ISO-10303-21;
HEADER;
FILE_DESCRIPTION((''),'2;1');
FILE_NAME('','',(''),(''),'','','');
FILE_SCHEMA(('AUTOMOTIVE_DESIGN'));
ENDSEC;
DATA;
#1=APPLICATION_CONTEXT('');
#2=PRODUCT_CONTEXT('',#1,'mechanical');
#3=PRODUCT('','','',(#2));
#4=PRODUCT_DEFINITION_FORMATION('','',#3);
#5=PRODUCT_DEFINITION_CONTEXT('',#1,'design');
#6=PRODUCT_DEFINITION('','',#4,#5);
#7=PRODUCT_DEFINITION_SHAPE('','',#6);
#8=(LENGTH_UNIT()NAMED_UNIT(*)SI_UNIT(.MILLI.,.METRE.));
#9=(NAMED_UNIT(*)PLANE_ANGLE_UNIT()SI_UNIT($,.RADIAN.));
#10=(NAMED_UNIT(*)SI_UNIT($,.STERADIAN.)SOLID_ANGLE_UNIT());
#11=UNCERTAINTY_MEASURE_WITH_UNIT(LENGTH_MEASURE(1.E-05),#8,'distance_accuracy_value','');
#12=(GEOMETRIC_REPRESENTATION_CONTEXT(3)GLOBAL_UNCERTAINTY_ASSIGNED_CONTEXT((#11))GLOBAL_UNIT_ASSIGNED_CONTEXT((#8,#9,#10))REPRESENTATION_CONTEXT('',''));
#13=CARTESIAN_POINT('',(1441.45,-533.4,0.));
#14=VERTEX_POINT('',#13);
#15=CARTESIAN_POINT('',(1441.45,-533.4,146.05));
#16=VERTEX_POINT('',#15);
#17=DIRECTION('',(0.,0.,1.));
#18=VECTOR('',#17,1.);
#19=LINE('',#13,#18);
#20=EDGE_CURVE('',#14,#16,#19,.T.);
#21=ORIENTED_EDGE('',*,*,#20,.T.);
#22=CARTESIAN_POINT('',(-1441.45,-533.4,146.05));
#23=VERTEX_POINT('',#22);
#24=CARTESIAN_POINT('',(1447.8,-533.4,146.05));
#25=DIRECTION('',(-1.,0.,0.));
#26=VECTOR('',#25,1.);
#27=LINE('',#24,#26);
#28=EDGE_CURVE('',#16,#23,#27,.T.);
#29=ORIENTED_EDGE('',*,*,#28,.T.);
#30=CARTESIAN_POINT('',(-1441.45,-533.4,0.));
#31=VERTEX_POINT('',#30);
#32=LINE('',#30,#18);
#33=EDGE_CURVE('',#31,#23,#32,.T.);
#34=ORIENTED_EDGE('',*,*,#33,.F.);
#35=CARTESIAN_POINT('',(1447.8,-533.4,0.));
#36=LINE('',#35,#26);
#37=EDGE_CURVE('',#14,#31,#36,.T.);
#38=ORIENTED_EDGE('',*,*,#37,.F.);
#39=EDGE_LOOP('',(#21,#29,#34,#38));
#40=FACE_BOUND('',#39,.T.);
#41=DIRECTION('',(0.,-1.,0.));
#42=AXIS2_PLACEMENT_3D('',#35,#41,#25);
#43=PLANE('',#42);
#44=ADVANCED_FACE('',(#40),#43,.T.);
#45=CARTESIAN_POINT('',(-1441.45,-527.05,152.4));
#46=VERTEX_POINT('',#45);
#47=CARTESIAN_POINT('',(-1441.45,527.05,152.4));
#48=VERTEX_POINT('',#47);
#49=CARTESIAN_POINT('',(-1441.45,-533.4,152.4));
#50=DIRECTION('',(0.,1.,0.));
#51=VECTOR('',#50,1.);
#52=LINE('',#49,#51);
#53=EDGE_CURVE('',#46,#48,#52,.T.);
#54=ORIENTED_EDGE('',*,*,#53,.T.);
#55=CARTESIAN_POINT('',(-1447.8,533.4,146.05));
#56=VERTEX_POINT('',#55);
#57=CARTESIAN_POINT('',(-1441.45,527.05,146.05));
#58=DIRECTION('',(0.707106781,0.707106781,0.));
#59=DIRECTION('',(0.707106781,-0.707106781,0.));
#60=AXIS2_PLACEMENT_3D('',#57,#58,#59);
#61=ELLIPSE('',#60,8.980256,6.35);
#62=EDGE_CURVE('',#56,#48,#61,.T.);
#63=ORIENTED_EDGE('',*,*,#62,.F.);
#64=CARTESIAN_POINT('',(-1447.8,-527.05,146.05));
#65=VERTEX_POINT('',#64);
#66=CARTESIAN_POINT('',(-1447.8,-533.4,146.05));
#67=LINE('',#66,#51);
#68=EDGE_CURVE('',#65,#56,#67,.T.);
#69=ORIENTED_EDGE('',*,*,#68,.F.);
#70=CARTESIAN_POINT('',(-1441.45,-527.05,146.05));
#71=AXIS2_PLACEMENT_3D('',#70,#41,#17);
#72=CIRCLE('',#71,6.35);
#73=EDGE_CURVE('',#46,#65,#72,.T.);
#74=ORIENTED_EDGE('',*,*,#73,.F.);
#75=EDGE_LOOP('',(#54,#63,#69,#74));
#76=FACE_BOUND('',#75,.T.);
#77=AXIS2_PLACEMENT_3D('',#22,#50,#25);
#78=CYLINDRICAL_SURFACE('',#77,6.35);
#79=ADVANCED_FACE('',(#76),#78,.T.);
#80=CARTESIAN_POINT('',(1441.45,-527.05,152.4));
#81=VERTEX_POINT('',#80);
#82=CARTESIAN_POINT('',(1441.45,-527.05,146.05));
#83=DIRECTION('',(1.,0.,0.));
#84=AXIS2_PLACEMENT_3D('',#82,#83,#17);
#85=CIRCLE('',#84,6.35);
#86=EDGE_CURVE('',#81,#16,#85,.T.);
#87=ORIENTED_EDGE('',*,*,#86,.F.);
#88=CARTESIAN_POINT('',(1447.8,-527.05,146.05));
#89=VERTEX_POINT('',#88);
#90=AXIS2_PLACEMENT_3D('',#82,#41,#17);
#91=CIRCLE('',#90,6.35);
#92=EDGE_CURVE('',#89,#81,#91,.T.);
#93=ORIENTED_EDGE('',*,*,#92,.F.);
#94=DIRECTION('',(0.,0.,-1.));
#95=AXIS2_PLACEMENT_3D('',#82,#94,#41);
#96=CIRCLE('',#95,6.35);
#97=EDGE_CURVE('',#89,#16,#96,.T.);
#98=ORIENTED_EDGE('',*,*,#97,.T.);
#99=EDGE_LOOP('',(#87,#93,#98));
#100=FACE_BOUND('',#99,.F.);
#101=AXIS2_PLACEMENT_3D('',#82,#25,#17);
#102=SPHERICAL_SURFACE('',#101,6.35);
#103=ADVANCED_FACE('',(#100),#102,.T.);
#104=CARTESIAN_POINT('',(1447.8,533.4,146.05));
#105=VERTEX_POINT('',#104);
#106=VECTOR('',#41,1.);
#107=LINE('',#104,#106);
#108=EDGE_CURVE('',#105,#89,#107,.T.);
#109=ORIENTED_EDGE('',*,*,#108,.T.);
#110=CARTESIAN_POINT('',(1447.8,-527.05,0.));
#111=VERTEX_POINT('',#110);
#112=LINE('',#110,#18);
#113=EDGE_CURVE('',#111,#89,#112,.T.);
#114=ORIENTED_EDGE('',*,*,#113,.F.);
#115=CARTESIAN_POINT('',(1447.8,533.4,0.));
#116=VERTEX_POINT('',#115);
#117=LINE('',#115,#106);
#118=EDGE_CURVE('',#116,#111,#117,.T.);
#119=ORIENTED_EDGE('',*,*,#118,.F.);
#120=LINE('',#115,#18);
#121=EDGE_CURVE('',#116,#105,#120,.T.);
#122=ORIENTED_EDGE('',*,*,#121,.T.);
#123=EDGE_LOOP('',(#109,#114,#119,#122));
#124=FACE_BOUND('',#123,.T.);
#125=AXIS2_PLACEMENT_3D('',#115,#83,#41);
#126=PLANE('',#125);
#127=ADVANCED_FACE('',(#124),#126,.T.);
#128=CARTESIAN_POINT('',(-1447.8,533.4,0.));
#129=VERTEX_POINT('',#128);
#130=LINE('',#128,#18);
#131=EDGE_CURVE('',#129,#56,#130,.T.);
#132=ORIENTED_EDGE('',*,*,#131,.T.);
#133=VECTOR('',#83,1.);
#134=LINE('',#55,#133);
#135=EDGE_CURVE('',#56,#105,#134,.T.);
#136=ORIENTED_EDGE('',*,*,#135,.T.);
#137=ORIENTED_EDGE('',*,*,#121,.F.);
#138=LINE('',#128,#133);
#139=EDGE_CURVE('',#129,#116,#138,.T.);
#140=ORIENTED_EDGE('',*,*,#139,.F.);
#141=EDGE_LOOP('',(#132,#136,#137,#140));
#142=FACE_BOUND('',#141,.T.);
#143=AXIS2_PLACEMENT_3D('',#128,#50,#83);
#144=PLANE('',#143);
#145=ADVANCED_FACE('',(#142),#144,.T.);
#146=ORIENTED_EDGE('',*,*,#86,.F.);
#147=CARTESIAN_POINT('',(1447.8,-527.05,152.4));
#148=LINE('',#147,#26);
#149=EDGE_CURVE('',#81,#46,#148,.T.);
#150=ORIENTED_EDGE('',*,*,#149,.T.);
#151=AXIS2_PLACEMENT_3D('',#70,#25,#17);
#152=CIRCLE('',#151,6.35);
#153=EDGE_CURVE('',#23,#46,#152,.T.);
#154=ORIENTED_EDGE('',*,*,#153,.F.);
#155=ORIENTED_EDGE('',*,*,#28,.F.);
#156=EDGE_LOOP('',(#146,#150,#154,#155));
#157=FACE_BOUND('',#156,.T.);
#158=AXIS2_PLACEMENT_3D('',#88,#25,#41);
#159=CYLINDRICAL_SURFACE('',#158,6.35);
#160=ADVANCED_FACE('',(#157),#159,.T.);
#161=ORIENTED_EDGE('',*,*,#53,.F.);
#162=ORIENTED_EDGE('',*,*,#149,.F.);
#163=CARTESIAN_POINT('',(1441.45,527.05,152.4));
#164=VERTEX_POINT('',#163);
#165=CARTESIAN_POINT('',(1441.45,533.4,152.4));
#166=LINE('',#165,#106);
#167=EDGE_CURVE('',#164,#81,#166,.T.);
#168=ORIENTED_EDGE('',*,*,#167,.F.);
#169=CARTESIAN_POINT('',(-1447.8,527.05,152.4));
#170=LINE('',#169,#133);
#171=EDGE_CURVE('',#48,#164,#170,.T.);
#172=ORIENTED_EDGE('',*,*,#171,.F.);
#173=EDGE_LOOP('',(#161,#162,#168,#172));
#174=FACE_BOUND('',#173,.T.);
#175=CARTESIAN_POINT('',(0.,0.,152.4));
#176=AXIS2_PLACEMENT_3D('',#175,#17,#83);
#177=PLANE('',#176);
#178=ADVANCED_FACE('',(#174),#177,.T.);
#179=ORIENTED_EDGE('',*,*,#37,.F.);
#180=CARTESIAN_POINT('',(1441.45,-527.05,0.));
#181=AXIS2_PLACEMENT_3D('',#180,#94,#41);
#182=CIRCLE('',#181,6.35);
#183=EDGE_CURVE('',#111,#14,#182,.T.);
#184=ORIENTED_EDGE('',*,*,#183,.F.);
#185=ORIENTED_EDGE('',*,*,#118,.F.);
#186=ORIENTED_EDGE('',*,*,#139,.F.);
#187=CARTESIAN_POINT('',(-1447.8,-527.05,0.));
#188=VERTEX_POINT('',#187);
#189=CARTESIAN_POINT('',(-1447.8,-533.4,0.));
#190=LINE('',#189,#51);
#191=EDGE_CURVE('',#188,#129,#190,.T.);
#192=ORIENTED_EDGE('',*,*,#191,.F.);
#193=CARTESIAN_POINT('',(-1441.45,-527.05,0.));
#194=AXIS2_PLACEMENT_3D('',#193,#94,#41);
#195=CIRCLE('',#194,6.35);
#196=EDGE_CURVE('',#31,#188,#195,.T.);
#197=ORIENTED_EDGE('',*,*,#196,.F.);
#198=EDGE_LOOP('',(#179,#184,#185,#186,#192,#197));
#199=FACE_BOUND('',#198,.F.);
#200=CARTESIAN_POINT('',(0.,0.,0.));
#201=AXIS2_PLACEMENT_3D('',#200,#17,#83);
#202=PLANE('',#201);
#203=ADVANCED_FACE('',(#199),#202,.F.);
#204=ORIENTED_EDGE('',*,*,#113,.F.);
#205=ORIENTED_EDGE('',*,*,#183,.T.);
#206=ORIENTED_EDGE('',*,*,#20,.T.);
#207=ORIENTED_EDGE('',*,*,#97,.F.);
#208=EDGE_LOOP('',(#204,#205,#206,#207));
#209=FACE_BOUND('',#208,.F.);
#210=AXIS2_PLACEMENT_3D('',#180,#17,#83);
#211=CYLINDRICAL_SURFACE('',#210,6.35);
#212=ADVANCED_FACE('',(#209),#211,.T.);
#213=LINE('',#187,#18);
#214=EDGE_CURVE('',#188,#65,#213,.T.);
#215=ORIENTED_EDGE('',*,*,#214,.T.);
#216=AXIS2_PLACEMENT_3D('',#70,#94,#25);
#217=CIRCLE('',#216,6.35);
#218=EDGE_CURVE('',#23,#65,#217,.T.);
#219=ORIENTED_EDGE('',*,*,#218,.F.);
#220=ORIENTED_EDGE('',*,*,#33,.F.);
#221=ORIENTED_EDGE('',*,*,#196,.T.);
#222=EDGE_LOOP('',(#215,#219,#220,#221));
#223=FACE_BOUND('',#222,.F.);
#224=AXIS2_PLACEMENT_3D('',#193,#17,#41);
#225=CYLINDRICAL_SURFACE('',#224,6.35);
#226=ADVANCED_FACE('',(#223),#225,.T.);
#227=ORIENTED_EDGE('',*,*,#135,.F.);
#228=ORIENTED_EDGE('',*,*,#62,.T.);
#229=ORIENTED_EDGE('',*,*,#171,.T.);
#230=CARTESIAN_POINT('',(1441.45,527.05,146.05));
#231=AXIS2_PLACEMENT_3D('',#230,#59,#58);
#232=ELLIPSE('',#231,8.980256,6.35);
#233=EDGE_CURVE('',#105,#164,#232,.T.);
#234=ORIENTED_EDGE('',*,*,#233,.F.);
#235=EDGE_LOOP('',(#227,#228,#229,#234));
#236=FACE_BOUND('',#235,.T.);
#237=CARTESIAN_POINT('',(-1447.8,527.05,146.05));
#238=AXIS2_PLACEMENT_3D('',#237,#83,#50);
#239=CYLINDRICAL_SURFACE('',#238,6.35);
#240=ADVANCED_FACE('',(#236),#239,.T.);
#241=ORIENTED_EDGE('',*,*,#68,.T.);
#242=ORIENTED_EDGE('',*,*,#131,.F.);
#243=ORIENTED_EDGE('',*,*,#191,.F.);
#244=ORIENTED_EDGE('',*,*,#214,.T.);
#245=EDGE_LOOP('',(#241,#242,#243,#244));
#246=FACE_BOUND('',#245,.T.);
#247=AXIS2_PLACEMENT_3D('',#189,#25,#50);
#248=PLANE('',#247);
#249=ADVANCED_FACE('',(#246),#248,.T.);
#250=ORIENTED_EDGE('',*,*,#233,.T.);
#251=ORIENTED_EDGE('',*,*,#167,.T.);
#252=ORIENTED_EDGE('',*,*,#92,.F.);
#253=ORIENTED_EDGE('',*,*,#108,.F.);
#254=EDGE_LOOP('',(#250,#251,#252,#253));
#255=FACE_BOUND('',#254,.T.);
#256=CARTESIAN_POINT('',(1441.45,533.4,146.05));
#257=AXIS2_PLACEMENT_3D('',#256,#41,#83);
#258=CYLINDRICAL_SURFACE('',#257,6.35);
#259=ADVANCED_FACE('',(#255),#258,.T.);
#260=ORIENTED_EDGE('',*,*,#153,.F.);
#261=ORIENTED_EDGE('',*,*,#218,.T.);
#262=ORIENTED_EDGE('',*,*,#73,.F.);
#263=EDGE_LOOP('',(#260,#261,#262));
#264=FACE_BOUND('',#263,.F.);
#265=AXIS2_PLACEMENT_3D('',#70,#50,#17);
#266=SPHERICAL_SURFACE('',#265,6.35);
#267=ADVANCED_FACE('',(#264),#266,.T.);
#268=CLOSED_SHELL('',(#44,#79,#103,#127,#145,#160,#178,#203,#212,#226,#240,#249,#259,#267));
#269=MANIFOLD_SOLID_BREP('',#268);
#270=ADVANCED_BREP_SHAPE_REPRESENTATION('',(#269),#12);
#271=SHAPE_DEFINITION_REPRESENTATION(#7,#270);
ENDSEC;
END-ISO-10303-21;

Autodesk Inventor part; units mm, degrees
ref_plane "YZ Plane" through (0, 0, 0) normal (1, 0, 0) x (0, 1, 0)
ref_plane "XZ Plane" through (0, 0, 0) normal (0, 1, 0) x (-1, 0, 0)
ref_plane "XY Plane" through (0, 0, 0) normal (0, 0, 1) x (1, 0, 0)
sketch "Sketch1" plane through (0, 0, 0) normal (0, 0, 1) x (1, 0, 0)
  line L0 (-1447.8, 533.4) -> (1447.8, 533.4)
  line L1 (1447.8, 533.4) -> (1447.8, -533.4)
  line L2 (1447.8, -533.4) -> (-1447.8, -533.4)
  line L3 (-1447.8, -533.4) -> (-1447.8, 533.4)
  line L4 (-1447.8, 533.4) -> (1447.8, -533.4) construction
  line L5 (1447.8, 533.4) -> (-1447.8, -533.4) construction
  point P0 (0, 0)
  dimension "d0" = 2895.6
  dimension "d1" = 1066.8
extrude "Extrusion1" add sketch "Sketch1" along normal blind 152.4
fillet "Fillet1" radius 6.35 6 edges at (0, 533.4, 152.4) (-1447.8, 0, 152.4) (0, -533.4, 152.4) (1447.8, 0, 152.4) (1447.8, -533.4, 76.2) (-1447.8, -533.4, 76.2)
properties part number "3-1x-114x42x6 sn step" material "Granite, Cut, Polished"
